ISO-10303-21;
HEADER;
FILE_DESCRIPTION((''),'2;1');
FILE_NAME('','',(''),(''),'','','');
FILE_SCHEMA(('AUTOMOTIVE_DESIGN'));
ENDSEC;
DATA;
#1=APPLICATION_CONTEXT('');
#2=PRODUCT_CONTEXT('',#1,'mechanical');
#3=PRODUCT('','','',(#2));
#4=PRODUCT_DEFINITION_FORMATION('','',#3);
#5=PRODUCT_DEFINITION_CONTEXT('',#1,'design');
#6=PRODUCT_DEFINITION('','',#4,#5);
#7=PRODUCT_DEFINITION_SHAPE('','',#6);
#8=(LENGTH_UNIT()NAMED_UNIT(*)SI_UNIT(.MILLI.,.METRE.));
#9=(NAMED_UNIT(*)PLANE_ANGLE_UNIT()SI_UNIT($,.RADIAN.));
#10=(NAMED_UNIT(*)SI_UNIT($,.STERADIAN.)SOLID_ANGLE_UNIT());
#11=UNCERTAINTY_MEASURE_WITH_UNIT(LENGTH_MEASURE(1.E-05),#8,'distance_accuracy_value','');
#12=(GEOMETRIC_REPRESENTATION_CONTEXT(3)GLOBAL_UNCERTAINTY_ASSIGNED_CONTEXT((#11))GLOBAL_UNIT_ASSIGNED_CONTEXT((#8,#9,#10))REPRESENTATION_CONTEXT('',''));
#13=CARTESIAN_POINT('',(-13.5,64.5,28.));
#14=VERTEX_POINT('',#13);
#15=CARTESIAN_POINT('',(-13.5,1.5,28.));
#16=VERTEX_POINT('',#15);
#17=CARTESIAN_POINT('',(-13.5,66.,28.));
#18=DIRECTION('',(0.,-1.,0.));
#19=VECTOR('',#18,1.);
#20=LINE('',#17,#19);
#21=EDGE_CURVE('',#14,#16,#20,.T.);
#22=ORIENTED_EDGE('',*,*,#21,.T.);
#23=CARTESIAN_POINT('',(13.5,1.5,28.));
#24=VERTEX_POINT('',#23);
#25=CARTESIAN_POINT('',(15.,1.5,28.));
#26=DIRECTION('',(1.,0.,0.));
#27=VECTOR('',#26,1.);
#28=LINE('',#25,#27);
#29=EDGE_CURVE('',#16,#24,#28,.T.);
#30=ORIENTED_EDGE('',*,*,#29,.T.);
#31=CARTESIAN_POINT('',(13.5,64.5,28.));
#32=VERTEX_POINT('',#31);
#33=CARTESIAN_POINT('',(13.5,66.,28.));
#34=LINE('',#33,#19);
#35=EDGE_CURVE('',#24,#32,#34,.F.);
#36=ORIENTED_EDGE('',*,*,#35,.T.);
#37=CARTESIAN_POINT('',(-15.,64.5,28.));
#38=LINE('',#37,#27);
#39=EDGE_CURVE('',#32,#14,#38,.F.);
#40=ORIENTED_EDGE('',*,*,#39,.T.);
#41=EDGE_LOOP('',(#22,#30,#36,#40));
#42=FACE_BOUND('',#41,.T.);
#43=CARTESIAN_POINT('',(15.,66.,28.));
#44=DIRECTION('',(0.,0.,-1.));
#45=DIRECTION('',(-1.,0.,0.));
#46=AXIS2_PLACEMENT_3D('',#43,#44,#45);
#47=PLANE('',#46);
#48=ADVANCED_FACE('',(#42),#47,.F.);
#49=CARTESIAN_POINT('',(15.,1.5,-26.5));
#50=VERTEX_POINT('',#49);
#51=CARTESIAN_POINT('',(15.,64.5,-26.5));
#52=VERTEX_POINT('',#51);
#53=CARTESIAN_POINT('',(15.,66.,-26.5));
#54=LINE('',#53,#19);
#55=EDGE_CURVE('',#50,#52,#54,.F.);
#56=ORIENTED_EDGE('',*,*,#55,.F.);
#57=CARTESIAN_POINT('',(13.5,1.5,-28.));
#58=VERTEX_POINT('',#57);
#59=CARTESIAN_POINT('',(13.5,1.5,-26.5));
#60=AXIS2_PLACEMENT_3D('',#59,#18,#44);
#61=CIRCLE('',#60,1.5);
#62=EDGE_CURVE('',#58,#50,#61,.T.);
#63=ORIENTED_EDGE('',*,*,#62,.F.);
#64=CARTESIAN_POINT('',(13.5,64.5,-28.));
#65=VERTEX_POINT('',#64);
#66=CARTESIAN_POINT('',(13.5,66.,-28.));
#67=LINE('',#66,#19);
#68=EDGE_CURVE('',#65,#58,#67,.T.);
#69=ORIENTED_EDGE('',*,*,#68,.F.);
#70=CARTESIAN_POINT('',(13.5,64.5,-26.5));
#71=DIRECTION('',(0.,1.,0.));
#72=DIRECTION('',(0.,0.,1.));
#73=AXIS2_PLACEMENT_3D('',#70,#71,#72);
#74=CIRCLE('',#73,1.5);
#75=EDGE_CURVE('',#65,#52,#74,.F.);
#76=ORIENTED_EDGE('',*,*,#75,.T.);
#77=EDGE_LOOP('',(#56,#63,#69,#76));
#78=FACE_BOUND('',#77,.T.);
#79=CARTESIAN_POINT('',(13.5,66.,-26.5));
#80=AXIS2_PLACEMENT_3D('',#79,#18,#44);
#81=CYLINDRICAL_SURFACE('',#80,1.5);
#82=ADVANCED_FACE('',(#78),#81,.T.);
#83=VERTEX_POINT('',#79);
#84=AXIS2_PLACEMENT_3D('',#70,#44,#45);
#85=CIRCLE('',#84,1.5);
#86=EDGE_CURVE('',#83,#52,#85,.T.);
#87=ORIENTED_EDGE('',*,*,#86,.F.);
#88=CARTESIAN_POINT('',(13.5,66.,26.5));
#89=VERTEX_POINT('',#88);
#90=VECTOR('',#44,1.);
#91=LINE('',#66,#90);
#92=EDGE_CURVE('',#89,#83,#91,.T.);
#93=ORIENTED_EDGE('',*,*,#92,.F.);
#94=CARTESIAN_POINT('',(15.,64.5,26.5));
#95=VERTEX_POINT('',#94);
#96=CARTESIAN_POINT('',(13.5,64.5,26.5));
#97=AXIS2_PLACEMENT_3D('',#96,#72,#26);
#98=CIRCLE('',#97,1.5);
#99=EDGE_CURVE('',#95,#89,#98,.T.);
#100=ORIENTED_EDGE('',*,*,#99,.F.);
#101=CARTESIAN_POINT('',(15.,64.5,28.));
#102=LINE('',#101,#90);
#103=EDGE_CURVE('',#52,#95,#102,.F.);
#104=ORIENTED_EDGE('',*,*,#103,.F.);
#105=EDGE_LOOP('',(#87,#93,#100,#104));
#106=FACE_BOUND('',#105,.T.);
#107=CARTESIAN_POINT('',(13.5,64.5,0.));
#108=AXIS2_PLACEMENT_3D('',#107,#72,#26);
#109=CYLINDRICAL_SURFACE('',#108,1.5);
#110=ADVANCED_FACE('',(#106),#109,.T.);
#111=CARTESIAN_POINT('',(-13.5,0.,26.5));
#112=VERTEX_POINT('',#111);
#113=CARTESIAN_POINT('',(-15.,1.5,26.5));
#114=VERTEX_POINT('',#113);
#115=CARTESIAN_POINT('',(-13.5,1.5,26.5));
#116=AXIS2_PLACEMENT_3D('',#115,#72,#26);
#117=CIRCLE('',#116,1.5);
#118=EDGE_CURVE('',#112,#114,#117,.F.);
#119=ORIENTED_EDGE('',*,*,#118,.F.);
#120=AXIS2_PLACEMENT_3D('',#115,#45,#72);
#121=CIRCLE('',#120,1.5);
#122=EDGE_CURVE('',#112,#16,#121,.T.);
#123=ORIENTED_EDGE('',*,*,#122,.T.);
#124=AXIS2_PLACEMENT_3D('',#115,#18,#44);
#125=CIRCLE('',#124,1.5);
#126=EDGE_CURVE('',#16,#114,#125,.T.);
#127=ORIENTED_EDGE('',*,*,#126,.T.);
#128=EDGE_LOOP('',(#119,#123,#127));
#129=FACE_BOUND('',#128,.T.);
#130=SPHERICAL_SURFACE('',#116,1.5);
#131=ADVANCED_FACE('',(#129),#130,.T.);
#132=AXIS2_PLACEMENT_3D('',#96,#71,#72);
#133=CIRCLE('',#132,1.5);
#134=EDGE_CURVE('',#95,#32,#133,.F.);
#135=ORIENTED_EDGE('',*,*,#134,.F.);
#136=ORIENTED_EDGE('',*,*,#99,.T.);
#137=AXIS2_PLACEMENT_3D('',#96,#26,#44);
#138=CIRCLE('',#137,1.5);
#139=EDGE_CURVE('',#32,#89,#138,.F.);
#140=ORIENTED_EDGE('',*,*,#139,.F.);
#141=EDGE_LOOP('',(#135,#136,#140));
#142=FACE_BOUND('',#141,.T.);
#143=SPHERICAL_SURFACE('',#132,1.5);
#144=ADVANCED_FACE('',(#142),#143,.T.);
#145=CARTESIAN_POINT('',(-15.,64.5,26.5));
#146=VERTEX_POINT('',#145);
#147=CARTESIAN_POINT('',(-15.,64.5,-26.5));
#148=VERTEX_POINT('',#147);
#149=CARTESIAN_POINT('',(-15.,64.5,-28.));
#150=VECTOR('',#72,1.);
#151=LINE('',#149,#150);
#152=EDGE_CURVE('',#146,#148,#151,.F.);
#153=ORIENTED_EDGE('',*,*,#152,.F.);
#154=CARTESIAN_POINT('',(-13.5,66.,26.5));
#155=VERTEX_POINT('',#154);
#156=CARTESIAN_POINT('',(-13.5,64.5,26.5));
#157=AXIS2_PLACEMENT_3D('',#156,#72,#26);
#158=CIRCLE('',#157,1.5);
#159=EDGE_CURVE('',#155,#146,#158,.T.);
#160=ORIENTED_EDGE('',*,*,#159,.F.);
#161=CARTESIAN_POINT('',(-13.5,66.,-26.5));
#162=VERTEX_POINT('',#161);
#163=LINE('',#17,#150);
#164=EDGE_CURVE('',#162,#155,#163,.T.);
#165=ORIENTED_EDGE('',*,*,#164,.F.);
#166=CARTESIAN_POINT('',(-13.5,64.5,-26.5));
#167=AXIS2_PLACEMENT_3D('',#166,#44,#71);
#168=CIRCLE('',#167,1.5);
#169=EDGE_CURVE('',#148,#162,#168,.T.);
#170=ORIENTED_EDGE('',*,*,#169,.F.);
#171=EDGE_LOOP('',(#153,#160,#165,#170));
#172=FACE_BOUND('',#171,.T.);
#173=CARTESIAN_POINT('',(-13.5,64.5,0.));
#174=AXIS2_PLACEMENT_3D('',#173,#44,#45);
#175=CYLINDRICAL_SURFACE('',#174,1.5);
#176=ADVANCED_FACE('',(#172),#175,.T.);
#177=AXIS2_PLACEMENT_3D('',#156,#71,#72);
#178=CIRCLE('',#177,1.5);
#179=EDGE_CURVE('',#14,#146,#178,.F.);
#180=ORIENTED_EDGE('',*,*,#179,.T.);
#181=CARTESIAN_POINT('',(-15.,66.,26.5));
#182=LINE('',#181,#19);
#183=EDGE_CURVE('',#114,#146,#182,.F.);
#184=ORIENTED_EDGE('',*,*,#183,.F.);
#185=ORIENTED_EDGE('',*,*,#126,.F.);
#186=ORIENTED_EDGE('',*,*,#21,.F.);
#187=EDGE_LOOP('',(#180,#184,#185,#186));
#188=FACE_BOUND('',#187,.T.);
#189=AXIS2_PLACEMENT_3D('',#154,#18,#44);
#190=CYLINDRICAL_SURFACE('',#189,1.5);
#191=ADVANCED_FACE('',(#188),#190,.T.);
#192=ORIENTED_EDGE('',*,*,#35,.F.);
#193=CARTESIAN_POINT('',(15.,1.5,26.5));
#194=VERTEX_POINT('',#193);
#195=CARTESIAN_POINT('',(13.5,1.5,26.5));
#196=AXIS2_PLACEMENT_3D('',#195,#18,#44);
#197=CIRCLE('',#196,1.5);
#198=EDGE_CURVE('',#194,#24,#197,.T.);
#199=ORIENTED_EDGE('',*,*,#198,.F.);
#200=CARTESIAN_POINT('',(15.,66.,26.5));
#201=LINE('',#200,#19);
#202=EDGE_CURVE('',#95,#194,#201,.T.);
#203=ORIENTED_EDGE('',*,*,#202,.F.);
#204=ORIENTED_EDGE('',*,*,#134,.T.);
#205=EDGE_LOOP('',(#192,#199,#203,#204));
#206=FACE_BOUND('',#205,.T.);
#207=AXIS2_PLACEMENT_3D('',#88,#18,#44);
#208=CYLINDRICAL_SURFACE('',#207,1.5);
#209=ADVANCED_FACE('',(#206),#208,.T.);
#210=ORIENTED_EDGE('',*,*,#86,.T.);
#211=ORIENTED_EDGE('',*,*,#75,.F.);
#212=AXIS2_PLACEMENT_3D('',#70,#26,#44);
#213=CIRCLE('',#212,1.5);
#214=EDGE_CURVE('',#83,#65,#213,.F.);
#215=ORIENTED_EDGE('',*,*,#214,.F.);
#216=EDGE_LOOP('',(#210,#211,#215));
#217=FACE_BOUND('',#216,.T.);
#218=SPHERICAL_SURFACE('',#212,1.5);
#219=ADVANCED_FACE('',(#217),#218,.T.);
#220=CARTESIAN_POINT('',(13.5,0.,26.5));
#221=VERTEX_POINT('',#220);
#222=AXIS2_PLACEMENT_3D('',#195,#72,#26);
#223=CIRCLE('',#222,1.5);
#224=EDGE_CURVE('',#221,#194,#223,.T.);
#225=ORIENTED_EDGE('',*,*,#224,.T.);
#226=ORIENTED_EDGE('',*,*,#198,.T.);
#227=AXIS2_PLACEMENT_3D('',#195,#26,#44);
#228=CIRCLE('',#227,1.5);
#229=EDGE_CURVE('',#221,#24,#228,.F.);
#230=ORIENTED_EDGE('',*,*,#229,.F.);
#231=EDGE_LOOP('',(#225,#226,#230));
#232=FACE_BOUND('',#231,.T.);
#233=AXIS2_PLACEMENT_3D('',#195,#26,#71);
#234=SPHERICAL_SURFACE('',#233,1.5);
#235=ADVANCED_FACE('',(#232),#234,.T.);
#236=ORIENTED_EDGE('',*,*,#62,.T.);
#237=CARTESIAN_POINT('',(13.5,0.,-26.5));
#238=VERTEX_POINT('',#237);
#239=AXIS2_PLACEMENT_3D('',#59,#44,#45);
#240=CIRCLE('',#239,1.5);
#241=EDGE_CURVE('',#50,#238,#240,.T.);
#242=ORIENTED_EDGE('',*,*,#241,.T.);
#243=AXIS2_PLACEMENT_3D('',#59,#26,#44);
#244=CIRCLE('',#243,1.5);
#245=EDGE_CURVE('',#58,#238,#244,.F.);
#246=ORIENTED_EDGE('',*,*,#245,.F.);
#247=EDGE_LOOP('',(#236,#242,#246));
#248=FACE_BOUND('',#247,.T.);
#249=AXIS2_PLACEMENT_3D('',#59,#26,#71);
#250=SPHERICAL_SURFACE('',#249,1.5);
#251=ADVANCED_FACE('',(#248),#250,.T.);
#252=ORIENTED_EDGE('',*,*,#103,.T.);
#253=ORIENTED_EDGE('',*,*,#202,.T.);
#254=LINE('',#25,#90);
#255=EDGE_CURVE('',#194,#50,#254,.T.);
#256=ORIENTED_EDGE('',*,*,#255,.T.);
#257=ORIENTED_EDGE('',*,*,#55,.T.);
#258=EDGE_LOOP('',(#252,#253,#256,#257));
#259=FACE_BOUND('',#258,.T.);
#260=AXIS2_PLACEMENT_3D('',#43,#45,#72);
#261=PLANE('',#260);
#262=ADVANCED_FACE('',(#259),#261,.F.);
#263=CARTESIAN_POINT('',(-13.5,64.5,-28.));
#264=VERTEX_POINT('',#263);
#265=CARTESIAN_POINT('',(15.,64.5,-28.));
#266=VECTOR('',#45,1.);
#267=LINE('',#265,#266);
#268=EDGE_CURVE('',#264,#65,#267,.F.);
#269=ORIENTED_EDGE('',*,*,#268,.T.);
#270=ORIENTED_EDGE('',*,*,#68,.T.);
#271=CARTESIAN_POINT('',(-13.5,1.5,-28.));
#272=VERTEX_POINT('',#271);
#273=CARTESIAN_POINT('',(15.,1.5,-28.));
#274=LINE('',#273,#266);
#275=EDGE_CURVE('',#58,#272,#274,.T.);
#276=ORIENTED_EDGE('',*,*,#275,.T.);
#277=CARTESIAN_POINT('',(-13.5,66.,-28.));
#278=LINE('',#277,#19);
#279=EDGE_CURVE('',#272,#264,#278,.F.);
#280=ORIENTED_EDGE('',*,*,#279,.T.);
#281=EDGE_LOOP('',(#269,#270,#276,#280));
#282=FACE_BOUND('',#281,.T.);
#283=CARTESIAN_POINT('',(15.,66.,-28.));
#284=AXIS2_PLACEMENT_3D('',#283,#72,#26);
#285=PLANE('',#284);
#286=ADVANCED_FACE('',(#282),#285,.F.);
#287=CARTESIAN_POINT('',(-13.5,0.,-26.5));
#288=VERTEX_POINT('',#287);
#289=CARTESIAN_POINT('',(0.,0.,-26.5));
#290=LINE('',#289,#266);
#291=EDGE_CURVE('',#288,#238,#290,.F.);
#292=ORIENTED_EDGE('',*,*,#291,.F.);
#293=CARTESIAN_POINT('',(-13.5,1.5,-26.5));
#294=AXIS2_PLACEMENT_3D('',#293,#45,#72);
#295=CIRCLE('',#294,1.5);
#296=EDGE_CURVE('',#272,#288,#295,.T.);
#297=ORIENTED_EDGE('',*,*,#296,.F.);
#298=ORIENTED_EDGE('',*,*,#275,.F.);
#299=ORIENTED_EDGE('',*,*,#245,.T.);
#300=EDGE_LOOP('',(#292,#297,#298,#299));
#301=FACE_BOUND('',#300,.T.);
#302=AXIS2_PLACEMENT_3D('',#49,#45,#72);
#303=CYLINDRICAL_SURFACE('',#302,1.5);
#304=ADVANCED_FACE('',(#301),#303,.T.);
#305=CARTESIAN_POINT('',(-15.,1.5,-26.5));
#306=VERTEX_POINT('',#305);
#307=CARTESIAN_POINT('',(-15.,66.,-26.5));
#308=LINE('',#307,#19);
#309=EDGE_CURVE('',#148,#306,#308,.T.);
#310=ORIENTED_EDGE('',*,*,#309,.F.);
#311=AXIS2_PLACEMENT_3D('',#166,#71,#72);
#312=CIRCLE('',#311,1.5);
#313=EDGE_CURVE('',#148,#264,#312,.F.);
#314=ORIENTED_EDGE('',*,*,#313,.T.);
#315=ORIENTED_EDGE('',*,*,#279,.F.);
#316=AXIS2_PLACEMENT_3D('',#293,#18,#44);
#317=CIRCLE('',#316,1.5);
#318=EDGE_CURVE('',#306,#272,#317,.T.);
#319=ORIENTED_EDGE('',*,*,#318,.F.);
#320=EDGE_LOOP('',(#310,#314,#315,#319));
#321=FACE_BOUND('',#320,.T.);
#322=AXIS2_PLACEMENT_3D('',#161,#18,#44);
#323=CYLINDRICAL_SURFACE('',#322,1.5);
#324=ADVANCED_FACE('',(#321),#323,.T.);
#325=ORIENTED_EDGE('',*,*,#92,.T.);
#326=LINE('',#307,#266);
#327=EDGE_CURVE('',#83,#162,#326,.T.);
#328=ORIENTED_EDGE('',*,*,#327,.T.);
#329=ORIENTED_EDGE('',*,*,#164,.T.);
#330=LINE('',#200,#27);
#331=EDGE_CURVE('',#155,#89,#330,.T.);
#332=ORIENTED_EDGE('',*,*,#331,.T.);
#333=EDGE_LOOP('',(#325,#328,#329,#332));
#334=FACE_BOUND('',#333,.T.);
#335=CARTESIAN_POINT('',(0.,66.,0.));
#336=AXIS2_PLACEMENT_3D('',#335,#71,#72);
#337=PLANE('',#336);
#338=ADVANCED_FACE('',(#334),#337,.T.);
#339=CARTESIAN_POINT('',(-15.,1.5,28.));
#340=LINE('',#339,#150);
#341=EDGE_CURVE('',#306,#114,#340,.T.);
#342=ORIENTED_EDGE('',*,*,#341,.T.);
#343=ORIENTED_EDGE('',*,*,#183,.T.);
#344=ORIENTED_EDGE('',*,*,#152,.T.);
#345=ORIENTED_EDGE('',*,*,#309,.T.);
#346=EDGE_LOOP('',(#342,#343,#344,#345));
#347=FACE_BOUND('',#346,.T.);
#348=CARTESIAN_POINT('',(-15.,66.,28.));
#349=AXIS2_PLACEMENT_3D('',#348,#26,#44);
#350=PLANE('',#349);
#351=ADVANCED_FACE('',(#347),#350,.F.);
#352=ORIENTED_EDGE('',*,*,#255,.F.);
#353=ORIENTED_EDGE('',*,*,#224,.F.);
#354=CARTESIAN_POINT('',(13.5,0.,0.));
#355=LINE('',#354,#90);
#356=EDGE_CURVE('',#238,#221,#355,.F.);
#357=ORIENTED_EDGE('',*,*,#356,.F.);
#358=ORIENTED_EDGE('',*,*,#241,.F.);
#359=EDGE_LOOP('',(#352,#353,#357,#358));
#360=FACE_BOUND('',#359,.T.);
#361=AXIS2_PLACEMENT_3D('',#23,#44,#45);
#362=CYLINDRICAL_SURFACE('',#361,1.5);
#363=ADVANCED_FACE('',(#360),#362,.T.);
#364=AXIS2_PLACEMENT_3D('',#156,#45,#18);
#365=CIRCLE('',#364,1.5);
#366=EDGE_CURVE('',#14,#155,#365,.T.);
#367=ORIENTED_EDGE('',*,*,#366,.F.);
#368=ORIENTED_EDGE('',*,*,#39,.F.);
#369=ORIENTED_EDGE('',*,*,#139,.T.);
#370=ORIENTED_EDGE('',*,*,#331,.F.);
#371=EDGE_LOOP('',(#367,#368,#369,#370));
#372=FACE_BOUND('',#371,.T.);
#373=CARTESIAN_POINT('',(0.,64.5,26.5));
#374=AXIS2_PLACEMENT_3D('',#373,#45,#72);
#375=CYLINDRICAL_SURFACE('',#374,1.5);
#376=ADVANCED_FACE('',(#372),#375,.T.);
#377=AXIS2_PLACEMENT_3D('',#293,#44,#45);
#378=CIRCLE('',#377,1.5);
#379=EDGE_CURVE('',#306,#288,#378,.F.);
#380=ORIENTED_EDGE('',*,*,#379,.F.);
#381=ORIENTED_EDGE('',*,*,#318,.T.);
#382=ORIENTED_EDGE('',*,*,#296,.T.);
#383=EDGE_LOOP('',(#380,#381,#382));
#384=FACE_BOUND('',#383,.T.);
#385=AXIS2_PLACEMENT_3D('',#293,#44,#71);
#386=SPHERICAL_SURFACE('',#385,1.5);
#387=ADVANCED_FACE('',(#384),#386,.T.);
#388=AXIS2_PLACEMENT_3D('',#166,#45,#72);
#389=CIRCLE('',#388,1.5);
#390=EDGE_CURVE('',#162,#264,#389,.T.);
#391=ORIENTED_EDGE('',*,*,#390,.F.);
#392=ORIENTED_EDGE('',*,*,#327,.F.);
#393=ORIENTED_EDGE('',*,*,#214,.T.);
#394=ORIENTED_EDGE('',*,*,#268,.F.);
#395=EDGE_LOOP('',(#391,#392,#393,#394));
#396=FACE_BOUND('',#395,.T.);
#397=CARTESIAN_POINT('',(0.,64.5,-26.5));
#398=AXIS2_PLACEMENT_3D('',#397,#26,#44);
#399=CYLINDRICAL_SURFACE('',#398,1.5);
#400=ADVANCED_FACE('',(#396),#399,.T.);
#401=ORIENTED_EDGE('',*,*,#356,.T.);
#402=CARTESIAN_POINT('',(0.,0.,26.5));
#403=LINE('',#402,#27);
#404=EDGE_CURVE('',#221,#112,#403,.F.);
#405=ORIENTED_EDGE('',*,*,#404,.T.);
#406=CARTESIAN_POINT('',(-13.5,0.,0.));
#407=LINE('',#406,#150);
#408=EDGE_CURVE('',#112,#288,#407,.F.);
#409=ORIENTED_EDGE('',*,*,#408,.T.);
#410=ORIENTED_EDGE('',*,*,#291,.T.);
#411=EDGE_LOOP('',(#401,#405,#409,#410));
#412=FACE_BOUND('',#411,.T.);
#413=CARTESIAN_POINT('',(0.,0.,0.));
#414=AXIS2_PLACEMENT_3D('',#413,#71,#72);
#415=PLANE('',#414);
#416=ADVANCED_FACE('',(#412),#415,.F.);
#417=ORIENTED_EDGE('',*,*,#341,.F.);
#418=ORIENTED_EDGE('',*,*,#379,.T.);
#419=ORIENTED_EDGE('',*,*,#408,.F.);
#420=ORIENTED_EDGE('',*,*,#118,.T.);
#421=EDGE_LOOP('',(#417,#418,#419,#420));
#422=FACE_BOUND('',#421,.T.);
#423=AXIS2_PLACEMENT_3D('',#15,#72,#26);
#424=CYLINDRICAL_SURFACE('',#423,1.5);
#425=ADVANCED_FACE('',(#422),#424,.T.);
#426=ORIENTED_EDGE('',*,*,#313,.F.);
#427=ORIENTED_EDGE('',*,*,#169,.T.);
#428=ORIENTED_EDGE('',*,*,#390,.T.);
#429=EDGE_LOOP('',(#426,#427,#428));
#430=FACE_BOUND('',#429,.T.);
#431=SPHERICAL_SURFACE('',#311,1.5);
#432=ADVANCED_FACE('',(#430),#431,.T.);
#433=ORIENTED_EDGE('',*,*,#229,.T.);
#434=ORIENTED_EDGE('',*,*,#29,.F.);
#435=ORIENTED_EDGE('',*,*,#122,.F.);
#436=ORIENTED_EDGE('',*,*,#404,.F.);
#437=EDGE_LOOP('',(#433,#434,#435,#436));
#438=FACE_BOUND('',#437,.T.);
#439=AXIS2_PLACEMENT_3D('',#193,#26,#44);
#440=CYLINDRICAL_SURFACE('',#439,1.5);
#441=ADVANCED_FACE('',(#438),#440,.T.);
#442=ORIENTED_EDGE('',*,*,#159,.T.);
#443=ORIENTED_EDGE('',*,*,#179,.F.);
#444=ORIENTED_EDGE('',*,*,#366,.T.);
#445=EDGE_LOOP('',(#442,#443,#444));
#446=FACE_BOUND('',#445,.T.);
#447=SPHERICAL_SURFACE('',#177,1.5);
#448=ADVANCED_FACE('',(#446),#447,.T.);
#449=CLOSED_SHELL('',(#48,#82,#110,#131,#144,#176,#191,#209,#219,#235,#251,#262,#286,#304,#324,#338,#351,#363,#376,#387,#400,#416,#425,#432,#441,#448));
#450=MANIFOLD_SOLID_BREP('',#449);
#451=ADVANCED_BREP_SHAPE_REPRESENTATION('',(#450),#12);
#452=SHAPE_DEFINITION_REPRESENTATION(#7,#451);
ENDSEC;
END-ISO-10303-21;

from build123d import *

# Parameters (mm, degrees)
CROQUIS1_W              = 30
CROQUIS1_H              = 56
SALIENTE_EXTRUIR1_DEPTH = 66
REDONDEO1_R             = 1.5


with BuildPart() as part:
    # Croquis1 → Saliente-Extruir1 (new body)
    with BuildSketch(Plane(origin=(0, 0, 0), x_dir=(1, 0, 0), z_dir=(0, 1, 0))):
        Rectangle(CROQUIS1_W, CROQUIS1_H)
    extrude(amount=SALIENTE_EXTRUIR1_DEPTH)

    # Redondeo1
    redondeo1_edges = [part.edges().sort_by_distance(p)[0] for p in [
        (15, 66, 0),
        (0, 66, -28),
        (-15, 66, 0),
        (0, 0, -28),
        (15, 0, 0),
        (0, 0, 28),
        (-15, 0, 0),
        (-15, 33, -28),
        (15, 33, -28),
        (15, 33, 28),
        (-15, 33, 28),
        (0, 66, 28),
    ]]
    fillet(redondeo1_edges, radius=REDONDEO1_R)


solid = part.part
